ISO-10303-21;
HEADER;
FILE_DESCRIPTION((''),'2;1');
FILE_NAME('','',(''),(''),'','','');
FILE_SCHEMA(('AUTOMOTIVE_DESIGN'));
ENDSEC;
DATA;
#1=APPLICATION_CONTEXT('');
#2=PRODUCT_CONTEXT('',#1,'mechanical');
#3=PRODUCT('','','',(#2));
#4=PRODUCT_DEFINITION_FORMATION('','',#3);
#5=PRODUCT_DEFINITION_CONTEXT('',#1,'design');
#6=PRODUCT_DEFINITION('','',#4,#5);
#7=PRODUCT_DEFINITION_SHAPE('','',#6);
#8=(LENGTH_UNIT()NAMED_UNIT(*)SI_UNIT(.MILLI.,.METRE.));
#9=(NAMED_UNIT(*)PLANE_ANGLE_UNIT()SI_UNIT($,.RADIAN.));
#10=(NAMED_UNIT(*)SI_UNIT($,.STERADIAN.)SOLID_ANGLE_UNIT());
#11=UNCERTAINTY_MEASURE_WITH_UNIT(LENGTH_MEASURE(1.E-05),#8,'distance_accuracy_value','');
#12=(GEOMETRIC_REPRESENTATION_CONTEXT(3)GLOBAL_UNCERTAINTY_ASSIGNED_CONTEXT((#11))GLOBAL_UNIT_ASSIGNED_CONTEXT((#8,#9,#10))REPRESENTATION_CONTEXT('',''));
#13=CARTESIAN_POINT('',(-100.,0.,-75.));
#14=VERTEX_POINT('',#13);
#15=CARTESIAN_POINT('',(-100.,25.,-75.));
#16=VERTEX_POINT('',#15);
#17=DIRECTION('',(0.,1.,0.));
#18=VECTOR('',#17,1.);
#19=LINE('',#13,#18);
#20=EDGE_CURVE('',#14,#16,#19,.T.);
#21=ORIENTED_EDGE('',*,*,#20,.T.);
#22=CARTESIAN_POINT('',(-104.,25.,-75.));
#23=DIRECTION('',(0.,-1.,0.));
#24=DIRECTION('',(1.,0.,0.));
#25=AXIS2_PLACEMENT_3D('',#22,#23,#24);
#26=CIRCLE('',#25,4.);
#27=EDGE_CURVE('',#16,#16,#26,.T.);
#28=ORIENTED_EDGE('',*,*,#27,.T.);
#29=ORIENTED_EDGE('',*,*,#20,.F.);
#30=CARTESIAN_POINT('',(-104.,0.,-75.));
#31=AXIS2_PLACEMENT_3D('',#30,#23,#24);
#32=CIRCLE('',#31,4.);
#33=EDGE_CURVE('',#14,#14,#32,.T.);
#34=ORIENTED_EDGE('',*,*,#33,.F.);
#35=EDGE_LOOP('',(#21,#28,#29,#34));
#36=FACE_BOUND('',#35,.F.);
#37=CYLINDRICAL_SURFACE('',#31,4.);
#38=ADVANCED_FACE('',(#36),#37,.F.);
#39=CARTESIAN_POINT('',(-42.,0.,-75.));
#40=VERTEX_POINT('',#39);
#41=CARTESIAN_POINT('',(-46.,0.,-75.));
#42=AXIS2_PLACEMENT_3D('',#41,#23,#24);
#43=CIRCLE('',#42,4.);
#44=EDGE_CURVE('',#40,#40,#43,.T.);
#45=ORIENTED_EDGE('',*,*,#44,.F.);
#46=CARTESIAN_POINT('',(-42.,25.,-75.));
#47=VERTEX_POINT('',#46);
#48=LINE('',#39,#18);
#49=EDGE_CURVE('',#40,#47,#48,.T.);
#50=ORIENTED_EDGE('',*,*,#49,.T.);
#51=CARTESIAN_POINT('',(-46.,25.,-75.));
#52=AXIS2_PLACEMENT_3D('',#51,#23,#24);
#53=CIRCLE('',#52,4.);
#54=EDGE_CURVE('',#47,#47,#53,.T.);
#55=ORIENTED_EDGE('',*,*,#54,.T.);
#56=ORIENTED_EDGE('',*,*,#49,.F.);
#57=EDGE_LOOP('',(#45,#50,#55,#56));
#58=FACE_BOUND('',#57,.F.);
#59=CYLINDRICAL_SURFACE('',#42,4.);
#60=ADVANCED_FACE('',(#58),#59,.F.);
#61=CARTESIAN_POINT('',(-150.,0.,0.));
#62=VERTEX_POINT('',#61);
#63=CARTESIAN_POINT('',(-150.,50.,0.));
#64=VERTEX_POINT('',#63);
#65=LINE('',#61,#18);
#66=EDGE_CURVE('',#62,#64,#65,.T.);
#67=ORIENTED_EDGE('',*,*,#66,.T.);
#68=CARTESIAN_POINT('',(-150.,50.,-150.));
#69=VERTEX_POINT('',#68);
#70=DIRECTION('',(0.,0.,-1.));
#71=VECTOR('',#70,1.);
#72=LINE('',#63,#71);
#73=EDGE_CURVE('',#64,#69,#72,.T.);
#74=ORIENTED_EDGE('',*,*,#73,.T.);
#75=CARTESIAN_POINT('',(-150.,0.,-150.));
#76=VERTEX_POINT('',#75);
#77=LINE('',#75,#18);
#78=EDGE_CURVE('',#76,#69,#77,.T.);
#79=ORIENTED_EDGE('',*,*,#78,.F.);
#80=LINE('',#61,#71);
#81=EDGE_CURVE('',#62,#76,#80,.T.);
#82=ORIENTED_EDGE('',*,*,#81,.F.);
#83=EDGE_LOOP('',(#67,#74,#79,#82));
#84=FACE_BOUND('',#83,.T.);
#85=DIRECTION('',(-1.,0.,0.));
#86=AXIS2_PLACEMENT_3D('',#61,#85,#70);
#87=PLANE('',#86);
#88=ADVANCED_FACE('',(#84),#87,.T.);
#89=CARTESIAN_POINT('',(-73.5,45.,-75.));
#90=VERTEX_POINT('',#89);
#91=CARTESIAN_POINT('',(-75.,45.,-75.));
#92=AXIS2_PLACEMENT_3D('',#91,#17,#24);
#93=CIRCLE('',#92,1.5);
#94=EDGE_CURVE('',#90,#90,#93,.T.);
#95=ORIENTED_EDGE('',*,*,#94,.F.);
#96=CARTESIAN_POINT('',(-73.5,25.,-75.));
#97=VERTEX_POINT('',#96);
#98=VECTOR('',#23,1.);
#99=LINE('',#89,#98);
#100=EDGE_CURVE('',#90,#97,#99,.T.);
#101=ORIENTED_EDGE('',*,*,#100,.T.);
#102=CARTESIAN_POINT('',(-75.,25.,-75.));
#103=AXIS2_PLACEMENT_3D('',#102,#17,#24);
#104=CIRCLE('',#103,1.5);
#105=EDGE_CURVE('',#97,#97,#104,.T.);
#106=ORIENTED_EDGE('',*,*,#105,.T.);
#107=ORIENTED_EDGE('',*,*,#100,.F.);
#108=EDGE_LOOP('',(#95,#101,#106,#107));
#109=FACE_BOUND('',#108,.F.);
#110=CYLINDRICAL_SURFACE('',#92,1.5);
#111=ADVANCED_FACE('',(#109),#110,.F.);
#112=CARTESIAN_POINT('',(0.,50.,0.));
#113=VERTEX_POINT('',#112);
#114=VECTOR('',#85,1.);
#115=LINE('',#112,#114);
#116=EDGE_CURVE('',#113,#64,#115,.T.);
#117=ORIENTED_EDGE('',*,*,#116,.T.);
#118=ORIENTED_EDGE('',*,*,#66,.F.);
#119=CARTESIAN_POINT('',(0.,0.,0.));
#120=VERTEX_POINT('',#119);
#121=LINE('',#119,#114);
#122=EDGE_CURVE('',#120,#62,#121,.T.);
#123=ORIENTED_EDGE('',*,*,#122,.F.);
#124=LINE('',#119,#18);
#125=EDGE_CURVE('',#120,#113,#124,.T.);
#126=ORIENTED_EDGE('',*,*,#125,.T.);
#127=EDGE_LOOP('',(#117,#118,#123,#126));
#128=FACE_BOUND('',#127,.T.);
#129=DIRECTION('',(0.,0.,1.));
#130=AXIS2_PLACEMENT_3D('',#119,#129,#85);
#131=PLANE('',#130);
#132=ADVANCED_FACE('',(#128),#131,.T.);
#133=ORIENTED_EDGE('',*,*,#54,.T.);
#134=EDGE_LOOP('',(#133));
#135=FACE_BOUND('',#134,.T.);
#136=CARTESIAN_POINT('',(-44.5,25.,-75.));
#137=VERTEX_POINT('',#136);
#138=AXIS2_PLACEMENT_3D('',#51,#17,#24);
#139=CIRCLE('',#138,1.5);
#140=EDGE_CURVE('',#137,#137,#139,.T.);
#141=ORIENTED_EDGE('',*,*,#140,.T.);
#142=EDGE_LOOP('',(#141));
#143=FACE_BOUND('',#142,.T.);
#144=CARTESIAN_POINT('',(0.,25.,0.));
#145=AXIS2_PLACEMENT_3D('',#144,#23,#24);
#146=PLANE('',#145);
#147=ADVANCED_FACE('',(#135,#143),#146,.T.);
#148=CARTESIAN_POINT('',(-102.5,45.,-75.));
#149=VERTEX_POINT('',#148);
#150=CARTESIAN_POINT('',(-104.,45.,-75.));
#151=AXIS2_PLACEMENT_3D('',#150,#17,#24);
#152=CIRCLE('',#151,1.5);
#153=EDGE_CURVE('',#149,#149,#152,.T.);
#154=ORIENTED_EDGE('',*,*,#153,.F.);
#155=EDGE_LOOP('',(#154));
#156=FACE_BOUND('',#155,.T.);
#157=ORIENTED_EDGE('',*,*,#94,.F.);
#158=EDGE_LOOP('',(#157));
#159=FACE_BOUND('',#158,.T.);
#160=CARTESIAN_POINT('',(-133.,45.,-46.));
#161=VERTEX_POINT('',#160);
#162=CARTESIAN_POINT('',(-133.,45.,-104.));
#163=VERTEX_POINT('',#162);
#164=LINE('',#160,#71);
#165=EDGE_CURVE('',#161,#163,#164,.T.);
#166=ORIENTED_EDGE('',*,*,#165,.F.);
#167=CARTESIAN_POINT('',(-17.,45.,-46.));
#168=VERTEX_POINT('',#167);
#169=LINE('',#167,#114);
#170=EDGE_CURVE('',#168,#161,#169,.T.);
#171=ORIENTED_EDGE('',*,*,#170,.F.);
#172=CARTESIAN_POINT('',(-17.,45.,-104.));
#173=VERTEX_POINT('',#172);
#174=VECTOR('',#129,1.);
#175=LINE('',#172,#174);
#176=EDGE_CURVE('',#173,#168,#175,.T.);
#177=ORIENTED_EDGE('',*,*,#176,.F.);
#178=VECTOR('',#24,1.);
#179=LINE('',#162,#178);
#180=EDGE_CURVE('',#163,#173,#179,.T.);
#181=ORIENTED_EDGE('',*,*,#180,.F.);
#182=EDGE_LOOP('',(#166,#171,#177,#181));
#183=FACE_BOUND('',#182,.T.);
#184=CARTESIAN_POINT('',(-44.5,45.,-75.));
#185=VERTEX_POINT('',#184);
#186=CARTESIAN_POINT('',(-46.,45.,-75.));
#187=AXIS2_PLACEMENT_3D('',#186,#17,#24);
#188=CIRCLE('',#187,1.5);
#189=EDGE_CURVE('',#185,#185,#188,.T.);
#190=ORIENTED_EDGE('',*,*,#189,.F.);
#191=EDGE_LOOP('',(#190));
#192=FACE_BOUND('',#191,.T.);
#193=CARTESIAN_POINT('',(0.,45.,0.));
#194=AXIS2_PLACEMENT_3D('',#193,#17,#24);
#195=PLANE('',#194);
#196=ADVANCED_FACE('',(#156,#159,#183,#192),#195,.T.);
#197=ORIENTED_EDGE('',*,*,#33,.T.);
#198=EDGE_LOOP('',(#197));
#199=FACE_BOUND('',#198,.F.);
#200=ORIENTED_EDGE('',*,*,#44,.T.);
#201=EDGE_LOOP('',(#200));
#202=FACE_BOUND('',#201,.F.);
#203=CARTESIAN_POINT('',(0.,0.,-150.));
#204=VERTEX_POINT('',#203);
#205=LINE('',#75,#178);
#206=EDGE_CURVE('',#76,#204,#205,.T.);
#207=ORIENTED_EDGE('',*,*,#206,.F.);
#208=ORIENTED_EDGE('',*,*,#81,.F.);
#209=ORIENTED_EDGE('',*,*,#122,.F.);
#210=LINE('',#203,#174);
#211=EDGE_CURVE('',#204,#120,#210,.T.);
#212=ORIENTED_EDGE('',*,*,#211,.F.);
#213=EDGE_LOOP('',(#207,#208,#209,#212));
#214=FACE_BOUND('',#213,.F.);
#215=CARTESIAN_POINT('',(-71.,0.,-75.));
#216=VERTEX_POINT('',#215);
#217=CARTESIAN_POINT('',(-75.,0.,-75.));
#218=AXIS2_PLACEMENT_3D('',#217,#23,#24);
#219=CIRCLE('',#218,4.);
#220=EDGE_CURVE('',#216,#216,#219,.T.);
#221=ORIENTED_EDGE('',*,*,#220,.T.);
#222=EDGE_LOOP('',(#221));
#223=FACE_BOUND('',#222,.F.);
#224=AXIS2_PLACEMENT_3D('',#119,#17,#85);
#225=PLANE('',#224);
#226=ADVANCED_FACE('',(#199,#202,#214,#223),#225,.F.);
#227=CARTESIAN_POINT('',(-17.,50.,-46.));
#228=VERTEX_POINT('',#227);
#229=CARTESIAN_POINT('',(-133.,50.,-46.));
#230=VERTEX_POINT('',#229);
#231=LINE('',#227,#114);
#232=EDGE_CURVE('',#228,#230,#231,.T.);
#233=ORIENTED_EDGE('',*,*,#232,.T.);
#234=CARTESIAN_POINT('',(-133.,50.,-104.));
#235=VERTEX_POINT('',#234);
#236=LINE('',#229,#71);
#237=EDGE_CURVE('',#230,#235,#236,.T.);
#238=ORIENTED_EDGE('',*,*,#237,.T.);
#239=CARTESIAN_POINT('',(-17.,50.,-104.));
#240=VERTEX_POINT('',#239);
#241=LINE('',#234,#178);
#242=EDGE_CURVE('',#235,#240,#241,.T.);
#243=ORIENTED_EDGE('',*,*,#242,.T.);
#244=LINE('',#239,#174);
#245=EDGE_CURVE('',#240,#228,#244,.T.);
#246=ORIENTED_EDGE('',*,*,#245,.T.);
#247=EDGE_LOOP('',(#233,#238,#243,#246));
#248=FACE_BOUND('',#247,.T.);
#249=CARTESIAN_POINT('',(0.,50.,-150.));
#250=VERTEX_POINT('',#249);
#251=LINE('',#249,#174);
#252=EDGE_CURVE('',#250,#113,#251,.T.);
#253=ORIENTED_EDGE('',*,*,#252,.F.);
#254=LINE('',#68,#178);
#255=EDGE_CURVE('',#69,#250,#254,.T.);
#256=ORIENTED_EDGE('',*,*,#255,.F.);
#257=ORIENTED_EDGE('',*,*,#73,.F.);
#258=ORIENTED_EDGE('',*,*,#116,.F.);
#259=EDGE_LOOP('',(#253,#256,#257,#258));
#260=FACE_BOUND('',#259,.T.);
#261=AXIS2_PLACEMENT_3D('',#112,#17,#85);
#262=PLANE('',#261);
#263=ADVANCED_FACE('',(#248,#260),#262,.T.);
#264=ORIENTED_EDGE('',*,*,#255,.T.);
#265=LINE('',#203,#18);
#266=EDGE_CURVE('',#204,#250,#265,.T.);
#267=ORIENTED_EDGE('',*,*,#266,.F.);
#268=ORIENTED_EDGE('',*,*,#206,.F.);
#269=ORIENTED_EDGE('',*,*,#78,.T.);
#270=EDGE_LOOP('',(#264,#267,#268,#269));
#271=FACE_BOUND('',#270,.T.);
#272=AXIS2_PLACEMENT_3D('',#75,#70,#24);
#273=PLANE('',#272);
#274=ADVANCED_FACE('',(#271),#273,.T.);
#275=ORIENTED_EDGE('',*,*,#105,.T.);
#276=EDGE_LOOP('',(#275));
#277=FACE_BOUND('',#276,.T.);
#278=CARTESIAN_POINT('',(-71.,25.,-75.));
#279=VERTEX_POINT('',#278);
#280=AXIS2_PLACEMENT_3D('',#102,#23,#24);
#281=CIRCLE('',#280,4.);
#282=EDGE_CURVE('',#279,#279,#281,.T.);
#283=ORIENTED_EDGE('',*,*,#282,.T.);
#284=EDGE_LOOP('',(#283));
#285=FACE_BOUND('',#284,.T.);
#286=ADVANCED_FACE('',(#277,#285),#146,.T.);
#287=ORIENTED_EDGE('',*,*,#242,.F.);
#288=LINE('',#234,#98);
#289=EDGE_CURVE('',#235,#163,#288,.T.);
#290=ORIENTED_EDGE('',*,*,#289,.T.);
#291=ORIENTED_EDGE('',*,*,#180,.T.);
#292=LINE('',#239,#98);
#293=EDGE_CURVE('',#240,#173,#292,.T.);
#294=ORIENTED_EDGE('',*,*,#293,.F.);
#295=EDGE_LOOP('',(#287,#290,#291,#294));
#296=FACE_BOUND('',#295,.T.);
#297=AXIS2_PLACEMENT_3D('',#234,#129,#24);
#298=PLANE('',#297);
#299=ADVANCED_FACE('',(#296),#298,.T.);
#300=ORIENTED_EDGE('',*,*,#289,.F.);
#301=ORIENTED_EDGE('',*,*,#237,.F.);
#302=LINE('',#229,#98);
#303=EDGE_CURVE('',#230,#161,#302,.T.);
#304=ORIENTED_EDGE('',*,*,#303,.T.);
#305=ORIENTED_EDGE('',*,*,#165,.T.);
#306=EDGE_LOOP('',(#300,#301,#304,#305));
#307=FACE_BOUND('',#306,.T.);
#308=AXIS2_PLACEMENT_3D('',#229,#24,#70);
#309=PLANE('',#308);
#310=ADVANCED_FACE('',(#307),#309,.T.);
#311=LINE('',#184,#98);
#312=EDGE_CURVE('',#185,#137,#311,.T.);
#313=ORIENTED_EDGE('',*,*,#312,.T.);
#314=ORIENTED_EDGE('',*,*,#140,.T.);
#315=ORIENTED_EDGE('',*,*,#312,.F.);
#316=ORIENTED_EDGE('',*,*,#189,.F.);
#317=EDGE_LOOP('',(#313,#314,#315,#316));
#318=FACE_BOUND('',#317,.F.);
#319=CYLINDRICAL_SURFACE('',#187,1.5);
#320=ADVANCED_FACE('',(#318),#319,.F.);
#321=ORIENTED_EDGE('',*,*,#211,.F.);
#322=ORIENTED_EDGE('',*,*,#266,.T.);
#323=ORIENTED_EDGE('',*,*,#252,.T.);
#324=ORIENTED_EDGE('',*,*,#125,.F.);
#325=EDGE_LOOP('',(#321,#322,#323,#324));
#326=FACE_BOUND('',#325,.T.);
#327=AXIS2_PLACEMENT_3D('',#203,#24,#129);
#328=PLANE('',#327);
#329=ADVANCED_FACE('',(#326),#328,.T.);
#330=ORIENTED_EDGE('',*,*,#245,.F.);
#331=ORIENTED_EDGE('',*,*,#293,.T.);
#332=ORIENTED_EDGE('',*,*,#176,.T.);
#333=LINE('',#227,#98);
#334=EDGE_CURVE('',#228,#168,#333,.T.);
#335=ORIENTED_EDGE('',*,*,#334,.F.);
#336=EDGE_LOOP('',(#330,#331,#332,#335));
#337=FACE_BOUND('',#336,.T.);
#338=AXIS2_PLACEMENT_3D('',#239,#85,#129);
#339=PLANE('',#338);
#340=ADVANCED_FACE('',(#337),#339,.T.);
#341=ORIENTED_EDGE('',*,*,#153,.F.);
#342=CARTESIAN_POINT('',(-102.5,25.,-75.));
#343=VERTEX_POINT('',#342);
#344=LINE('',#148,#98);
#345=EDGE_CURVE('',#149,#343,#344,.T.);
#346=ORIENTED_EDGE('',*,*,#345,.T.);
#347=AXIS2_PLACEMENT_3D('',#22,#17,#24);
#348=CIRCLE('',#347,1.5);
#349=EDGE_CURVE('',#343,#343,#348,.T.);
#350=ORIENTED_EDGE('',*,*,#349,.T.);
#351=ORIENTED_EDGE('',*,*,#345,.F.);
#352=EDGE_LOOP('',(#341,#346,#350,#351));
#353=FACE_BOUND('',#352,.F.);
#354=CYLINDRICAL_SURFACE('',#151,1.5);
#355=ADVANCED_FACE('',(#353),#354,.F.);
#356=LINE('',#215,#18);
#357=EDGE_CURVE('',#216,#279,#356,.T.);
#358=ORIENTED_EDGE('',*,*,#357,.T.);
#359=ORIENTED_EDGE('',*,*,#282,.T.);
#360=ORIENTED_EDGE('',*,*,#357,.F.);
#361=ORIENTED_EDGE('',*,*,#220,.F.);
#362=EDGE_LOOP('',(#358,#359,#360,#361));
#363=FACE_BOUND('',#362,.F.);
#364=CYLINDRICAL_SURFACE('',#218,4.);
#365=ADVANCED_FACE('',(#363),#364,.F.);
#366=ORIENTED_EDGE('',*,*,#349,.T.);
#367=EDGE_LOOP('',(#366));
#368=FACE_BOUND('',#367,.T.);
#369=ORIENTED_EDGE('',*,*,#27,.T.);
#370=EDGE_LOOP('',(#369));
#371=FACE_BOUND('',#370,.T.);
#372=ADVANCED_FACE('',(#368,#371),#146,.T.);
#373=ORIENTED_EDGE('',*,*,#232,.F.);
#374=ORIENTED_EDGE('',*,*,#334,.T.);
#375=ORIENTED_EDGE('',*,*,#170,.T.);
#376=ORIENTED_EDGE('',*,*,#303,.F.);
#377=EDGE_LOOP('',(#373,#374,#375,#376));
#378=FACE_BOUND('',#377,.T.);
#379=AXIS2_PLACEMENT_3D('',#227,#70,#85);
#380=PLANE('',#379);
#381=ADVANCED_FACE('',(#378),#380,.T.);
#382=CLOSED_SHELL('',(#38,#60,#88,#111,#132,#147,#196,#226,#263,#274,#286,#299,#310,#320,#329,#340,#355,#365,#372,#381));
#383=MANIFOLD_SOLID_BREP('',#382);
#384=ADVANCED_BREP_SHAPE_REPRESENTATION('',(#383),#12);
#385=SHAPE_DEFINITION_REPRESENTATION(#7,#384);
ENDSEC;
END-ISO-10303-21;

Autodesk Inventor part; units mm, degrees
ref_plane "YZ Plane" through (0, 0, 0) normal (1, 0, 0) x (0, 1, 0)
ref_plane "XZ Plane" through (0, 0, 0) normal (0, 1, 0) x (-1, 0, 0)
ref_plane "XY Plane" through (0, 0, 0) normal (0, 0, 1) x (1, 0, 0)
sketch "Sketch1" plane through (0, 0, 0) normal (0, 1, 0) x (-1, 0, 0)
  line L0 (0, 0) -> (150, 0)
  line L1 (150, 0) -> (150, -150)
  line L2 (150, -150) -> (0, -150)
  line L3 (0, -150) -> (0, 0)
  dimension "d0" = 150
  dimension "d1" = 150
extrude "Extrusion1" add sketch "Sketch1" along normal blind 50
sketch "Sketch2" plane through (0, 50, 0) normal (0, 1, 0) x (1, 0, 0)
  line L0 (-150, 150) -> (-150, 0) projected
  line L1 (-150, 0) -> (0, 0) projected
  line L2 (-133, 104) -> (-17, 104)
  line L3 (-17, 104) -> (-17, 46)
  line L4 (-17, 46) -> (-133, 46)
  line L5 (-133, 46) -> (-133, 104)
extrude "Extrusion2" cut sketch "Sketch2" against normal blind 5
sketch "Sketch3" plane through (0, 45, 0) normal (0, 1, 0) x (1, 0, 0)
  line L0 (-17, 104) -> (-17, 46) projected
  line L1 (-133, 46) -> (-133, 104) projected
  circle A0 centre (-104, 75) radius 1.5
  circle A1 centre (-75, 75) radius 1.5
  circle A2 centre (-46, 75) radius 1.5
  point P0 (0, 0)
  dimension "d14" = 3
extrude "Extrusion3" cut sketch "Sketch3" against normal up to surface (45 mm away)
sketch "Sketch4" plane through (0, 0, 0) normal (0, -1, 0) x (1, 0, 0)
  circle A0 centre (-46, -75) radius 1.5 projected
  circle A1 centre (-46, -75) radius 4
  circle A2 centre (-75, -75) radius 1.5 projected
  circle A3 centre (-75, -75) radius 4
  circle A4 centre (-104, -75) radius 1.5 projected
  circle A5 centre (-104, -75) radius 4
  point P0 (0, 0)
  dimension "d17" = 8
extrude "Extrusion4" cut sketch "Sketch4" against normal blind 25 contours A0 | A1 | A2 | A3 | A4 | A5
properties part number "Base_Mount"
